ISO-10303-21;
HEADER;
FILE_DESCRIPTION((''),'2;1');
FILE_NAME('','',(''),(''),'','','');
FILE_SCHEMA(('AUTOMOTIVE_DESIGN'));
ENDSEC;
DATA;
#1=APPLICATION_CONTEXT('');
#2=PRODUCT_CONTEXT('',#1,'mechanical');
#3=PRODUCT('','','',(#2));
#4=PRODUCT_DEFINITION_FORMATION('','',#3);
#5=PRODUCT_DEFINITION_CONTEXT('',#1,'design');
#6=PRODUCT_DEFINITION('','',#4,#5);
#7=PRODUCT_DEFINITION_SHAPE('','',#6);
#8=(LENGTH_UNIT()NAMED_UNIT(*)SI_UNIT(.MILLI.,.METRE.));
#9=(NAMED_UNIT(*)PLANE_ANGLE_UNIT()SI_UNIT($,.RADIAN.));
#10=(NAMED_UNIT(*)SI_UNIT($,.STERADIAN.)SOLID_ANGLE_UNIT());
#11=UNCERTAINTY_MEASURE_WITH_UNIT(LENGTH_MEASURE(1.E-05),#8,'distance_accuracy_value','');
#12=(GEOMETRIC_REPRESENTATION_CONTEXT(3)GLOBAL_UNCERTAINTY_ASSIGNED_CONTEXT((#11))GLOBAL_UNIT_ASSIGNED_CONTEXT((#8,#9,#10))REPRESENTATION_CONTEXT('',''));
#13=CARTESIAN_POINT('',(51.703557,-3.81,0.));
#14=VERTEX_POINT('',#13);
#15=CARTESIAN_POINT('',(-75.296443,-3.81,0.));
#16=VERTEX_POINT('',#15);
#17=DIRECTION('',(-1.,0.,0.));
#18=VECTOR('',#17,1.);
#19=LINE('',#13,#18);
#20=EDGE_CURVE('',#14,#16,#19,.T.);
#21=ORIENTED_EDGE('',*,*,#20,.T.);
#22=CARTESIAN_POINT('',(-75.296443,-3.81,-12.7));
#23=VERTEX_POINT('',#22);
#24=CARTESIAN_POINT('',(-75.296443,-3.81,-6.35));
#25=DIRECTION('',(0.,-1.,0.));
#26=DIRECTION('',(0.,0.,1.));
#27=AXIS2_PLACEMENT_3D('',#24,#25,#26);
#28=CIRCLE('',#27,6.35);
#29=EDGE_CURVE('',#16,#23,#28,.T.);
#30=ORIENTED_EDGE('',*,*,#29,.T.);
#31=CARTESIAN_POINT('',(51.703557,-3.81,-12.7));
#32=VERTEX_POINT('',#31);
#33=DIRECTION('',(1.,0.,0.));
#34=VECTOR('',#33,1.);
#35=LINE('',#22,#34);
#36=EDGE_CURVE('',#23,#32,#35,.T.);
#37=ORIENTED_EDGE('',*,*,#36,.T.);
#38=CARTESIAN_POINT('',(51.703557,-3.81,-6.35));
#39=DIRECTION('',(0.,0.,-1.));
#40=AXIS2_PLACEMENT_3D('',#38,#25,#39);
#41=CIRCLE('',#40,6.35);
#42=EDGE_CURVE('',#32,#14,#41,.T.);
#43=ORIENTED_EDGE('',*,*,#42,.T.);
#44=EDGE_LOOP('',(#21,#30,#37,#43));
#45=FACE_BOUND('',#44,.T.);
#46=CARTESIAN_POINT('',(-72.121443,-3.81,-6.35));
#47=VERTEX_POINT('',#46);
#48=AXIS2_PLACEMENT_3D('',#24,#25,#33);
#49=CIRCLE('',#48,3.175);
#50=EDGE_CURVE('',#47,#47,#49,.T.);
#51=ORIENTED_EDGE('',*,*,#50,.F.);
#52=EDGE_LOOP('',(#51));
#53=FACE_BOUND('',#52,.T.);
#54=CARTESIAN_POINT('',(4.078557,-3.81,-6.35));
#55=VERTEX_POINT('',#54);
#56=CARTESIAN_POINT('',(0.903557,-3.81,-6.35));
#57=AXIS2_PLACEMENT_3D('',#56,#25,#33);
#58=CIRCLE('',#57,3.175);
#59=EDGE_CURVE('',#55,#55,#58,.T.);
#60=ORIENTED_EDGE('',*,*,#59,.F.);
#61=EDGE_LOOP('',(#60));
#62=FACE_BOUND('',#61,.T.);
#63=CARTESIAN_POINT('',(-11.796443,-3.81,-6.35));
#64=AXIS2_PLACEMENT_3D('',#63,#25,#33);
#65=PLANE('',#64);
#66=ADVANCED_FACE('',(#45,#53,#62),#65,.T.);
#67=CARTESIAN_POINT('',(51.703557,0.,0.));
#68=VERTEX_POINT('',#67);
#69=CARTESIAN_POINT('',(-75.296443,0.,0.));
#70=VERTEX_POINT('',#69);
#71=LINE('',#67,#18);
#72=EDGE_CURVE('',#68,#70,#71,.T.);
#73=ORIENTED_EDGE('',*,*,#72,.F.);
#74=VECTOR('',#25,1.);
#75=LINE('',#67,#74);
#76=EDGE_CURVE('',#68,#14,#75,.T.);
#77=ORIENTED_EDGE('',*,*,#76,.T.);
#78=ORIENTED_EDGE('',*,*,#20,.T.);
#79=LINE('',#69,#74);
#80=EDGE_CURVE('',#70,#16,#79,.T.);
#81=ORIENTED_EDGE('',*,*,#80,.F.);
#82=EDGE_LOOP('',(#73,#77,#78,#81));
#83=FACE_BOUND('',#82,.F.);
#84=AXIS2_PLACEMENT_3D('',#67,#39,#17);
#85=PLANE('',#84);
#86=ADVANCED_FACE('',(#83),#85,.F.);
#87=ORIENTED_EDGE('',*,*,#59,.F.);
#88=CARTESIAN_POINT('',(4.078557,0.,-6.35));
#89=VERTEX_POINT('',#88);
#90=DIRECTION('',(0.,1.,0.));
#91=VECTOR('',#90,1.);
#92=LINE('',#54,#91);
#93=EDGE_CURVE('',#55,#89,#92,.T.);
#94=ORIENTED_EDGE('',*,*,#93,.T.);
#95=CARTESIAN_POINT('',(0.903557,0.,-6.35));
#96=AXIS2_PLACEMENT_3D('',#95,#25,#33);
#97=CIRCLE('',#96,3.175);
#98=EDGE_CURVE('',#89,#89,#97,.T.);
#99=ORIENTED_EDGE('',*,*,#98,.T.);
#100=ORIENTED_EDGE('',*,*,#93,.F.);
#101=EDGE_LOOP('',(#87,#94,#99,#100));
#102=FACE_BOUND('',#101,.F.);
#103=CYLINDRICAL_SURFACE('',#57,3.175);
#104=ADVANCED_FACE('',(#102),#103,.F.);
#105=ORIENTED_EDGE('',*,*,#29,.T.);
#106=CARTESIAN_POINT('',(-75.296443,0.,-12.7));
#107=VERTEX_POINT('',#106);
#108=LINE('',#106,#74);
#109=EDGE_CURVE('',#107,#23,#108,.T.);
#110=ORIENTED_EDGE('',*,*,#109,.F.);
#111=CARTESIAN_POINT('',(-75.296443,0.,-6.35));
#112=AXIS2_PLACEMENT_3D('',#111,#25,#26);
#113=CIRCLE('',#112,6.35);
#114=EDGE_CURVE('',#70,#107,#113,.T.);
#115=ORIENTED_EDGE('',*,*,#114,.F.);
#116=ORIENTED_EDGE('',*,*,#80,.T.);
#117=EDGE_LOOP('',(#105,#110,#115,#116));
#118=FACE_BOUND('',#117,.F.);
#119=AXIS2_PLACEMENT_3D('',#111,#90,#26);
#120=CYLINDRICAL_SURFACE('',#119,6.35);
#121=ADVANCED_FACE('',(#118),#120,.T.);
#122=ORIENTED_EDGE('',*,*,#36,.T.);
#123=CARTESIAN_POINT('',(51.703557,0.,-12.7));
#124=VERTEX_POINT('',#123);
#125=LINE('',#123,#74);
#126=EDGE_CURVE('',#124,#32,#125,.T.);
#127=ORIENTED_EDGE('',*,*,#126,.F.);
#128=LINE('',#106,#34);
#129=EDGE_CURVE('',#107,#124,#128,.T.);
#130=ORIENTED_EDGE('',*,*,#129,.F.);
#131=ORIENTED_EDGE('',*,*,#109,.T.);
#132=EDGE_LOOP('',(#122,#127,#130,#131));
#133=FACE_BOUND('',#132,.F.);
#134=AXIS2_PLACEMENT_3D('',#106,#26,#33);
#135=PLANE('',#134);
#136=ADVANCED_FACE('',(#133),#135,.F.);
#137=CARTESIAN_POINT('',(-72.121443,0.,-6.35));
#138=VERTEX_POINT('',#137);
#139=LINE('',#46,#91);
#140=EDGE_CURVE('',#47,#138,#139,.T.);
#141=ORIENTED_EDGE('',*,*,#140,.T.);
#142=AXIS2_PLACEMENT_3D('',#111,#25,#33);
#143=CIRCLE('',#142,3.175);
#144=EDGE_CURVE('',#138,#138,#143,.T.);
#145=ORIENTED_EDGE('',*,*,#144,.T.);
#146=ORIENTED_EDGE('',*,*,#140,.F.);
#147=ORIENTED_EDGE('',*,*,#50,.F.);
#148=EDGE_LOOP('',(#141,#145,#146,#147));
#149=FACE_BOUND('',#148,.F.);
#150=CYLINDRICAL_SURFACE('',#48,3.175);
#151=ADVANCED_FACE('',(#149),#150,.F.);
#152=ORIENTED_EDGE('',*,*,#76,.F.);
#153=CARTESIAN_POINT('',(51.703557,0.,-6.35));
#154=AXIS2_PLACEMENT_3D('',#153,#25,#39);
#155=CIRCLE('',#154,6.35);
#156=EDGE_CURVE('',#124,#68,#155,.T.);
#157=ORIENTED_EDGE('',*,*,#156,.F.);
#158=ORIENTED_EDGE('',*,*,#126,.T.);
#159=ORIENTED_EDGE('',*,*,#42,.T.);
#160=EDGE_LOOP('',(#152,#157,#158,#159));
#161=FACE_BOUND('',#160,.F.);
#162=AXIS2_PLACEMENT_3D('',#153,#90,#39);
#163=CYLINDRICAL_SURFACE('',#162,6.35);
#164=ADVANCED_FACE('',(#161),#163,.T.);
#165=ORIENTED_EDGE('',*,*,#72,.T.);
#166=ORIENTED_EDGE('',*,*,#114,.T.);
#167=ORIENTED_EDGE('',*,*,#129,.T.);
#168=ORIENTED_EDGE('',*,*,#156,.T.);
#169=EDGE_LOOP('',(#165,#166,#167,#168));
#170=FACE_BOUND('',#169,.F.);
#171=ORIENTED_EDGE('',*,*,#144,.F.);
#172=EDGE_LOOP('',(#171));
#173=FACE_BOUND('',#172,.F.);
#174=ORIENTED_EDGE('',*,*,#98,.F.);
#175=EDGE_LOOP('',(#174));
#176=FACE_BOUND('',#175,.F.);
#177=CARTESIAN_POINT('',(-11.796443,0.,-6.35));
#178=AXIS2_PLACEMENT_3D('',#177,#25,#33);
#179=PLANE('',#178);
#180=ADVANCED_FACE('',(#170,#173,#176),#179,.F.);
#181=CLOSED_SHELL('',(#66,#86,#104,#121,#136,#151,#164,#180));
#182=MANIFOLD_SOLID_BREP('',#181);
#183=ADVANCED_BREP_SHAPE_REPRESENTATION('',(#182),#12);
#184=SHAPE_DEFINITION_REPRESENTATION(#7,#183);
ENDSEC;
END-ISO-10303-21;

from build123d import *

# Parameters (mm, degrees)
F1_DEPTH = 3.81
F2_R     = 3.175
F3_DEPTH = 25.4


with BuildPart() as f1:
    # F0 (on Front) → F1 (new body)
    with BuildSketch(Plane.XZ):
        with BuildLine():
            Line((51.703557, 0), (-75.296443, 0))
            ThreePointArc((-75.296443, 0), (-81.646443, -6.35), (-75.296443, -12.7))
            Line((-75.296443, -12.7), (51.703557, -12.7))
            ThreePointArc((51.703557, -12.7), (58.053557, -6.35), (51.703557, 0))
        make_face()
    extrude(amount=F1_DEPTH)

    # F2 (on face) → F3 (cut)
    with BuildSketch(Plane.XZ.offset(3.81)):
        with Locations((-75.296443, -6.35)):
            Circle(F2_R)
        with Locations((0.903557, -6.35)):
            Circle(F2_R)
    extrude(amount=-F3_DEPTH, mode=Mode.SUBTRACT)


solid = f1.part
